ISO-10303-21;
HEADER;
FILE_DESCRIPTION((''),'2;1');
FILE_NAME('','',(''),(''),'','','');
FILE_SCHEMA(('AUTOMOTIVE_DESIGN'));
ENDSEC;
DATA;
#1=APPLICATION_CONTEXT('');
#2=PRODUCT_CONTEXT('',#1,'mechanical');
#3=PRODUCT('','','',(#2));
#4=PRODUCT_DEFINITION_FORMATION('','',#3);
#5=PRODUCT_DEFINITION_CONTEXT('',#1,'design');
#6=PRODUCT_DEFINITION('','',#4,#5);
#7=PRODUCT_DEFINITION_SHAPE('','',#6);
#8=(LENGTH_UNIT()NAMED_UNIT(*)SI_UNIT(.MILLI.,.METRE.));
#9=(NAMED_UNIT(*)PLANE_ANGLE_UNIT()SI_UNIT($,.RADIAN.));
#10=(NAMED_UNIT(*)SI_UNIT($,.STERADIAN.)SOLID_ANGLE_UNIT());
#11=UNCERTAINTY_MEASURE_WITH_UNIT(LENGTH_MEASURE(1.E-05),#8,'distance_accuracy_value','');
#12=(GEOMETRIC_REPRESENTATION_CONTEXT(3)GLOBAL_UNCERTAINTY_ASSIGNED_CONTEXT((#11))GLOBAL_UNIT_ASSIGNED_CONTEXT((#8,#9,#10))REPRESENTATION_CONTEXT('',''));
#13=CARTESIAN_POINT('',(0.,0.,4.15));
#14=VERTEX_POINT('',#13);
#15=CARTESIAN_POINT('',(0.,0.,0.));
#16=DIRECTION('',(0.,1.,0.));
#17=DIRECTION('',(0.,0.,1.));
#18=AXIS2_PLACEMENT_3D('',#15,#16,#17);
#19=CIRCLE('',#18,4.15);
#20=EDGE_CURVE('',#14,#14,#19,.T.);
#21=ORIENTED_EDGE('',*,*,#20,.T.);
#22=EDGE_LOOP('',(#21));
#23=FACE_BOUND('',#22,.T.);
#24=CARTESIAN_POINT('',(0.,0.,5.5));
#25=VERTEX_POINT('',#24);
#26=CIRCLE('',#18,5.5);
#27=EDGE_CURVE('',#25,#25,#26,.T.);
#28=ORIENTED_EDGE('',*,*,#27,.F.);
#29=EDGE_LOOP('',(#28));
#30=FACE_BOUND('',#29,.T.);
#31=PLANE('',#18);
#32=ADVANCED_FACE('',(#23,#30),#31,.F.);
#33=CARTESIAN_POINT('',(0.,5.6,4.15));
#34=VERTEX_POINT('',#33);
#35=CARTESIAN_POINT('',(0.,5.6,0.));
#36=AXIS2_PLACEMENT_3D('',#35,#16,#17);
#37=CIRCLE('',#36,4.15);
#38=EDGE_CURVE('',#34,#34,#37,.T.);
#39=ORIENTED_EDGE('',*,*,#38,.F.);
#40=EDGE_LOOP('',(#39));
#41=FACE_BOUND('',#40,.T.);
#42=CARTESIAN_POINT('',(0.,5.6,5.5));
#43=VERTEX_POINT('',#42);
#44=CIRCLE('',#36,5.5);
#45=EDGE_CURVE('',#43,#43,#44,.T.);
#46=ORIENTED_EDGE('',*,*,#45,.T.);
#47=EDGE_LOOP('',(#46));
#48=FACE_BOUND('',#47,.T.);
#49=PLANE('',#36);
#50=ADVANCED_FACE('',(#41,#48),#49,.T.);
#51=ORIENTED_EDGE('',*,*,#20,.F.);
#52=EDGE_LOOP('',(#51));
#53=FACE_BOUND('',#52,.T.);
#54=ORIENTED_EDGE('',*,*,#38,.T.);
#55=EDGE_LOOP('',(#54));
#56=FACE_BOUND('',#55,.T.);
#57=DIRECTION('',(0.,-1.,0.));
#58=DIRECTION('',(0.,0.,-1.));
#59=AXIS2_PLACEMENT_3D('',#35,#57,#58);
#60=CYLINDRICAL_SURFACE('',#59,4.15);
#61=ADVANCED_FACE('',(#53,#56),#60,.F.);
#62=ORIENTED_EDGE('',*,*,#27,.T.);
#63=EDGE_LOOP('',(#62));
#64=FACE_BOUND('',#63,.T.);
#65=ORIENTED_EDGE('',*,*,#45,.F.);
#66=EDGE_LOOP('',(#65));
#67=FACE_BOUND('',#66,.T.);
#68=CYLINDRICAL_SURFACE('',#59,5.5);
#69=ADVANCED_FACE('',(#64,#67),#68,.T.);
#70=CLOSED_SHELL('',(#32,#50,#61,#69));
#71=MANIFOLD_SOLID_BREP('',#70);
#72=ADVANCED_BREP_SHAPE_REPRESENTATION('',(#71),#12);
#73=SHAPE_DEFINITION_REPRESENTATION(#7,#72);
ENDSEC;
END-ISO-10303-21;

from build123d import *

# Parameters (mm, degrees)
SKETCH1_R           = 5.5
SKETCH1_R_2         = 4.15
BOSS_EXTRUDE1_DEPTH = 5.6


with BuildPart() as part:
    # Sketch1 → Boss-Extrude1 (new body)
    with BuildSketch(Plane(origin=(0, 0, 0), x_dir=(1, 0, 0), z_dir=(0, 1, 0))):
        with Locations(Location((0, 0, 0), (0, 0, 270))):
            Circle(SKETCH1_R)
        with Locations(Location((0, 0, 0), (0, 0, 270))):
            Circle(SKETCH1_R_2, mode=Mode.SUBTRACT)
    extrude(amount=BOSS_EXTRUDE1_DEPTH)


solid = part.part
